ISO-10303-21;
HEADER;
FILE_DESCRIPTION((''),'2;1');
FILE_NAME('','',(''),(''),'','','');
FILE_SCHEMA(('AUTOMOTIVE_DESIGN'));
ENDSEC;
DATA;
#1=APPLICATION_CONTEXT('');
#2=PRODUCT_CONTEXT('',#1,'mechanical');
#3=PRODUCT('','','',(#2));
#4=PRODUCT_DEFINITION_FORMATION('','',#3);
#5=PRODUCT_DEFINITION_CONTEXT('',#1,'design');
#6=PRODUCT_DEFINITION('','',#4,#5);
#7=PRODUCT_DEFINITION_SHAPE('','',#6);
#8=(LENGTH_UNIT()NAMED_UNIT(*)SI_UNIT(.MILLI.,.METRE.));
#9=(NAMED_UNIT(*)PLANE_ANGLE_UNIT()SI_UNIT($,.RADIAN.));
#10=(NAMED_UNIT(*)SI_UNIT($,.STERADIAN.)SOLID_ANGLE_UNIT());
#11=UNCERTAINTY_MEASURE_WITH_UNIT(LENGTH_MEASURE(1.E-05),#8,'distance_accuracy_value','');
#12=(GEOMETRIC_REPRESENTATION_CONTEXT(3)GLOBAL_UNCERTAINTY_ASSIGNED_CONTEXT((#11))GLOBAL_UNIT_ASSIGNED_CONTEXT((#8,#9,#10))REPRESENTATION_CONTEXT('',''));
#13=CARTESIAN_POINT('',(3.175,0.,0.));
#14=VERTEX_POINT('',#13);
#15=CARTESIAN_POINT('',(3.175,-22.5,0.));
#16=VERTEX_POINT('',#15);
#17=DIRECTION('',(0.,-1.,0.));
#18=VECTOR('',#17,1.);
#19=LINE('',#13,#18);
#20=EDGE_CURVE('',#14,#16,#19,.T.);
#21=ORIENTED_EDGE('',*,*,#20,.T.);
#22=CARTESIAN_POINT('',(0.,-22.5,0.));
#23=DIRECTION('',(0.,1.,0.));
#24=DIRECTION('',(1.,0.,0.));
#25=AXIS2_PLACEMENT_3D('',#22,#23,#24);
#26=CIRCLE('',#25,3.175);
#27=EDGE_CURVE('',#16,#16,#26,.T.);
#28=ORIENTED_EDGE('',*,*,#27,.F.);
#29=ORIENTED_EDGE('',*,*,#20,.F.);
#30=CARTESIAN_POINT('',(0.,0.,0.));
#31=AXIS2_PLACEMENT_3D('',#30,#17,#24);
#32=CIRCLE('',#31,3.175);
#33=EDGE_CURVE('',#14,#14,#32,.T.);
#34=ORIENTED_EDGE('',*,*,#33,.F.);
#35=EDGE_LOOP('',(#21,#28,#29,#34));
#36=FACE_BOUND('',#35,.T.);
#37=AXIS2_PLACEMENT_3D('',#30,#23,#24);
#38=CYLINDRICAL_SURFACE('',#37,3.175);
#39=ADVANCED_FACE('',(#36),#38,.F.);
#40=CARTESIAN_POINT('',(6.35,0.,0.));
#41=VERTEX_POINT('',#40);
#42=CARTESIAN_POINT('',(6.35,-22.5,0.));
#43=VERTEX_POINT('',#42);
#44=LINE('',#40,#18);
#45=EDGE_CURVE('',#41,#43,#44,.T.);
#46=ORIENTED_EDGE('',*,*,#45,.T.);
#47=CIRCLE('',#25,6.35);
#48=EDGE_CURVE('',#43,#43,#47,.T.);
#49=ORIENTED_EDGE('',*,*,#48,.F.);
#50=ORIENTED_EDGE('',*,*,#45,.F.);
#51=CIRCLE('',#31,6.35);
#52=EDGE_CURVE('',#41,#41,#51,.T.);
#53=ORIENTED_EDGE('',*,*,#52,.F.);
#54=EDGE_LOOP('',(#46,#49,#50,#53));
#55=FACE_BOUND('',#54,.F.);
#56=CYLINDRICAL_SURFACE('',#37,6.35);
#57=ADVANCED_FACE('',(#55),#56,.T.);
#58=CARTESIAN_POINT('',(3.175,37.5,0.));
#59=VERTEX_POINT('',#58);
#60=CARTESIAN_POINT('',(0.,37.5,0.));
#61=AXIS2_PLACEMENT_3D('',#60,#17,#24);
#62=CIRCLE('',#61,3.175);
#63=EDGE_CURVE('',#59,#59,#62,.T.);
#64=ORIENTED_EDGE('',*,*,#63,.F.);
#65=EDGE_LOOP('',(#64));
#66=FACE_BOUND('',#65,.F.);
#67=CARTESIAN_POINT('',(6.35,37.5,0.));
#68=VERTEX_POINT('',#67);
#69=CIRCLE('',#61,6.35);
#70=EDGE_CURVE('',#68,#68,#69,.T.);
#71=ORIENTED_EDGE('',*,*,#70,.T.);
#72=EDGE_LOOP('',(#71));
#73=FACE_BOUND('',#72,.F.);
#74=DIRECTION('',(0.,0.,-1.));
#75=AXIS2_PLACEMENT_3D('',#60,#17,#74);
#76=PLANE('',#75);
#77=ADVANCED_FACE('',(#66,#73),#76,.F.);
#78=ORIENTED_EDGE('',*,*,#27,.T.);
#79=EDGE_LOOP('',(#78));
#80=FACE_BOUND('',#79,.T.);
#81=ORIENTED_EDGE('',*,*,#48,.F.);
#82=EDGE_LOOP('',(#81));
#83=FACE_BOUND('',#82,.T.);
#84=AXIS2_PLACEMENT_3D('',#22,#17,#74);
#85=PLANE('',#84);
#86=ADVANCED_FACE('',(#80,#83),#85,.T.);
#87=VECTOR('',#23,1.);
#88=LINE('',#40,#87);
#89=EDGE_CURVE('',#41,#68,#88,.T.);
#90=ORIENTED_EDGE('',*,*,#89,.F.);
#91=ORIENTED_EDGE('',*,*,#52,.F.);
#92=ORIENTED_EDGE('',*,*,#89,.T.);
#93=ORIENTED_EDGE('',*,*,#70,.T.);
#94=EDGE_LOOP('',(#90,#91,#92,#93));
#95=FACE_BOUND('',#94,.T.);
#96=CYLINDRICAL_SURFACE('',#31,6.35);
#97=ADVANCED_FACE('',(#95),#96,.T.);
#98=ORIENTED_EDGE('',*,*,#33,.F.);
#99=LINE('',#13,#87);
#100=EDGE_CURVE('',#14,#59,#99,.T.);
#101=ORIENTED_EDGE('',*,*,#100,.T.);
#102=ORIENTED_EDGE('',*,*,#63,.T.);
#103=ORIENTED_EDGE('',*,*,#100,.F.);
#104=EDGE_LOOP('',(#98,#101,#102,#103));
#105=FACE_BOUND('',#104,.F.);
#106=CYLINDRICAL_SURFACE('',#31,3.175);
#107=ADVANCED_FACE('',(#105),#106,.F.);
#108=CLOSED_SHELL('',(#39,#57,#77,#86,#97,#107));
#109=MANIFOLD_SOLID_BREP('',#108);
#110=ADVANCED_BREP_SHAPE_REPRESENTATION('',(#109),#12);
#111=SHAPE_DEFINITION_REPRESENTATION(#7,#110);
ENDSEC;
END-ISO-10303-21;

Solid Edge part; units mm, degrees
sketch "Sketch1" plane through (0, 0, 0) normal (0, -1, 0) x (1, 0, 0)
  circle A0 centre (0, 0) radius 3.175
  circle A1 centre (0, 0) radius 6.35
extrude "Protrusion1" add sketch "Sketch1" along normal mid plane 75
sketch "Sketch2" plane through (0, -37.5, 0) normal (0, -1, 0) x (0, 0, 1)
  line L0 (-7.5277, -7.727) -> (7.5277, -7.727)
  line L1 (7.5277, -7.727) -> (7.5277, 7.727)
  line L2 (7.5277, 7.727) -> (-7.5277, 7.727)
  line L3 (-7.5277, 7.727) -> (-7.5277, -7.727)
extrude "ExtrudedCutout_1" cut sketch "Sketch2" against normal blind 15
properties part number "BumbleB0651" material "Aluminum, 6061-T6"
